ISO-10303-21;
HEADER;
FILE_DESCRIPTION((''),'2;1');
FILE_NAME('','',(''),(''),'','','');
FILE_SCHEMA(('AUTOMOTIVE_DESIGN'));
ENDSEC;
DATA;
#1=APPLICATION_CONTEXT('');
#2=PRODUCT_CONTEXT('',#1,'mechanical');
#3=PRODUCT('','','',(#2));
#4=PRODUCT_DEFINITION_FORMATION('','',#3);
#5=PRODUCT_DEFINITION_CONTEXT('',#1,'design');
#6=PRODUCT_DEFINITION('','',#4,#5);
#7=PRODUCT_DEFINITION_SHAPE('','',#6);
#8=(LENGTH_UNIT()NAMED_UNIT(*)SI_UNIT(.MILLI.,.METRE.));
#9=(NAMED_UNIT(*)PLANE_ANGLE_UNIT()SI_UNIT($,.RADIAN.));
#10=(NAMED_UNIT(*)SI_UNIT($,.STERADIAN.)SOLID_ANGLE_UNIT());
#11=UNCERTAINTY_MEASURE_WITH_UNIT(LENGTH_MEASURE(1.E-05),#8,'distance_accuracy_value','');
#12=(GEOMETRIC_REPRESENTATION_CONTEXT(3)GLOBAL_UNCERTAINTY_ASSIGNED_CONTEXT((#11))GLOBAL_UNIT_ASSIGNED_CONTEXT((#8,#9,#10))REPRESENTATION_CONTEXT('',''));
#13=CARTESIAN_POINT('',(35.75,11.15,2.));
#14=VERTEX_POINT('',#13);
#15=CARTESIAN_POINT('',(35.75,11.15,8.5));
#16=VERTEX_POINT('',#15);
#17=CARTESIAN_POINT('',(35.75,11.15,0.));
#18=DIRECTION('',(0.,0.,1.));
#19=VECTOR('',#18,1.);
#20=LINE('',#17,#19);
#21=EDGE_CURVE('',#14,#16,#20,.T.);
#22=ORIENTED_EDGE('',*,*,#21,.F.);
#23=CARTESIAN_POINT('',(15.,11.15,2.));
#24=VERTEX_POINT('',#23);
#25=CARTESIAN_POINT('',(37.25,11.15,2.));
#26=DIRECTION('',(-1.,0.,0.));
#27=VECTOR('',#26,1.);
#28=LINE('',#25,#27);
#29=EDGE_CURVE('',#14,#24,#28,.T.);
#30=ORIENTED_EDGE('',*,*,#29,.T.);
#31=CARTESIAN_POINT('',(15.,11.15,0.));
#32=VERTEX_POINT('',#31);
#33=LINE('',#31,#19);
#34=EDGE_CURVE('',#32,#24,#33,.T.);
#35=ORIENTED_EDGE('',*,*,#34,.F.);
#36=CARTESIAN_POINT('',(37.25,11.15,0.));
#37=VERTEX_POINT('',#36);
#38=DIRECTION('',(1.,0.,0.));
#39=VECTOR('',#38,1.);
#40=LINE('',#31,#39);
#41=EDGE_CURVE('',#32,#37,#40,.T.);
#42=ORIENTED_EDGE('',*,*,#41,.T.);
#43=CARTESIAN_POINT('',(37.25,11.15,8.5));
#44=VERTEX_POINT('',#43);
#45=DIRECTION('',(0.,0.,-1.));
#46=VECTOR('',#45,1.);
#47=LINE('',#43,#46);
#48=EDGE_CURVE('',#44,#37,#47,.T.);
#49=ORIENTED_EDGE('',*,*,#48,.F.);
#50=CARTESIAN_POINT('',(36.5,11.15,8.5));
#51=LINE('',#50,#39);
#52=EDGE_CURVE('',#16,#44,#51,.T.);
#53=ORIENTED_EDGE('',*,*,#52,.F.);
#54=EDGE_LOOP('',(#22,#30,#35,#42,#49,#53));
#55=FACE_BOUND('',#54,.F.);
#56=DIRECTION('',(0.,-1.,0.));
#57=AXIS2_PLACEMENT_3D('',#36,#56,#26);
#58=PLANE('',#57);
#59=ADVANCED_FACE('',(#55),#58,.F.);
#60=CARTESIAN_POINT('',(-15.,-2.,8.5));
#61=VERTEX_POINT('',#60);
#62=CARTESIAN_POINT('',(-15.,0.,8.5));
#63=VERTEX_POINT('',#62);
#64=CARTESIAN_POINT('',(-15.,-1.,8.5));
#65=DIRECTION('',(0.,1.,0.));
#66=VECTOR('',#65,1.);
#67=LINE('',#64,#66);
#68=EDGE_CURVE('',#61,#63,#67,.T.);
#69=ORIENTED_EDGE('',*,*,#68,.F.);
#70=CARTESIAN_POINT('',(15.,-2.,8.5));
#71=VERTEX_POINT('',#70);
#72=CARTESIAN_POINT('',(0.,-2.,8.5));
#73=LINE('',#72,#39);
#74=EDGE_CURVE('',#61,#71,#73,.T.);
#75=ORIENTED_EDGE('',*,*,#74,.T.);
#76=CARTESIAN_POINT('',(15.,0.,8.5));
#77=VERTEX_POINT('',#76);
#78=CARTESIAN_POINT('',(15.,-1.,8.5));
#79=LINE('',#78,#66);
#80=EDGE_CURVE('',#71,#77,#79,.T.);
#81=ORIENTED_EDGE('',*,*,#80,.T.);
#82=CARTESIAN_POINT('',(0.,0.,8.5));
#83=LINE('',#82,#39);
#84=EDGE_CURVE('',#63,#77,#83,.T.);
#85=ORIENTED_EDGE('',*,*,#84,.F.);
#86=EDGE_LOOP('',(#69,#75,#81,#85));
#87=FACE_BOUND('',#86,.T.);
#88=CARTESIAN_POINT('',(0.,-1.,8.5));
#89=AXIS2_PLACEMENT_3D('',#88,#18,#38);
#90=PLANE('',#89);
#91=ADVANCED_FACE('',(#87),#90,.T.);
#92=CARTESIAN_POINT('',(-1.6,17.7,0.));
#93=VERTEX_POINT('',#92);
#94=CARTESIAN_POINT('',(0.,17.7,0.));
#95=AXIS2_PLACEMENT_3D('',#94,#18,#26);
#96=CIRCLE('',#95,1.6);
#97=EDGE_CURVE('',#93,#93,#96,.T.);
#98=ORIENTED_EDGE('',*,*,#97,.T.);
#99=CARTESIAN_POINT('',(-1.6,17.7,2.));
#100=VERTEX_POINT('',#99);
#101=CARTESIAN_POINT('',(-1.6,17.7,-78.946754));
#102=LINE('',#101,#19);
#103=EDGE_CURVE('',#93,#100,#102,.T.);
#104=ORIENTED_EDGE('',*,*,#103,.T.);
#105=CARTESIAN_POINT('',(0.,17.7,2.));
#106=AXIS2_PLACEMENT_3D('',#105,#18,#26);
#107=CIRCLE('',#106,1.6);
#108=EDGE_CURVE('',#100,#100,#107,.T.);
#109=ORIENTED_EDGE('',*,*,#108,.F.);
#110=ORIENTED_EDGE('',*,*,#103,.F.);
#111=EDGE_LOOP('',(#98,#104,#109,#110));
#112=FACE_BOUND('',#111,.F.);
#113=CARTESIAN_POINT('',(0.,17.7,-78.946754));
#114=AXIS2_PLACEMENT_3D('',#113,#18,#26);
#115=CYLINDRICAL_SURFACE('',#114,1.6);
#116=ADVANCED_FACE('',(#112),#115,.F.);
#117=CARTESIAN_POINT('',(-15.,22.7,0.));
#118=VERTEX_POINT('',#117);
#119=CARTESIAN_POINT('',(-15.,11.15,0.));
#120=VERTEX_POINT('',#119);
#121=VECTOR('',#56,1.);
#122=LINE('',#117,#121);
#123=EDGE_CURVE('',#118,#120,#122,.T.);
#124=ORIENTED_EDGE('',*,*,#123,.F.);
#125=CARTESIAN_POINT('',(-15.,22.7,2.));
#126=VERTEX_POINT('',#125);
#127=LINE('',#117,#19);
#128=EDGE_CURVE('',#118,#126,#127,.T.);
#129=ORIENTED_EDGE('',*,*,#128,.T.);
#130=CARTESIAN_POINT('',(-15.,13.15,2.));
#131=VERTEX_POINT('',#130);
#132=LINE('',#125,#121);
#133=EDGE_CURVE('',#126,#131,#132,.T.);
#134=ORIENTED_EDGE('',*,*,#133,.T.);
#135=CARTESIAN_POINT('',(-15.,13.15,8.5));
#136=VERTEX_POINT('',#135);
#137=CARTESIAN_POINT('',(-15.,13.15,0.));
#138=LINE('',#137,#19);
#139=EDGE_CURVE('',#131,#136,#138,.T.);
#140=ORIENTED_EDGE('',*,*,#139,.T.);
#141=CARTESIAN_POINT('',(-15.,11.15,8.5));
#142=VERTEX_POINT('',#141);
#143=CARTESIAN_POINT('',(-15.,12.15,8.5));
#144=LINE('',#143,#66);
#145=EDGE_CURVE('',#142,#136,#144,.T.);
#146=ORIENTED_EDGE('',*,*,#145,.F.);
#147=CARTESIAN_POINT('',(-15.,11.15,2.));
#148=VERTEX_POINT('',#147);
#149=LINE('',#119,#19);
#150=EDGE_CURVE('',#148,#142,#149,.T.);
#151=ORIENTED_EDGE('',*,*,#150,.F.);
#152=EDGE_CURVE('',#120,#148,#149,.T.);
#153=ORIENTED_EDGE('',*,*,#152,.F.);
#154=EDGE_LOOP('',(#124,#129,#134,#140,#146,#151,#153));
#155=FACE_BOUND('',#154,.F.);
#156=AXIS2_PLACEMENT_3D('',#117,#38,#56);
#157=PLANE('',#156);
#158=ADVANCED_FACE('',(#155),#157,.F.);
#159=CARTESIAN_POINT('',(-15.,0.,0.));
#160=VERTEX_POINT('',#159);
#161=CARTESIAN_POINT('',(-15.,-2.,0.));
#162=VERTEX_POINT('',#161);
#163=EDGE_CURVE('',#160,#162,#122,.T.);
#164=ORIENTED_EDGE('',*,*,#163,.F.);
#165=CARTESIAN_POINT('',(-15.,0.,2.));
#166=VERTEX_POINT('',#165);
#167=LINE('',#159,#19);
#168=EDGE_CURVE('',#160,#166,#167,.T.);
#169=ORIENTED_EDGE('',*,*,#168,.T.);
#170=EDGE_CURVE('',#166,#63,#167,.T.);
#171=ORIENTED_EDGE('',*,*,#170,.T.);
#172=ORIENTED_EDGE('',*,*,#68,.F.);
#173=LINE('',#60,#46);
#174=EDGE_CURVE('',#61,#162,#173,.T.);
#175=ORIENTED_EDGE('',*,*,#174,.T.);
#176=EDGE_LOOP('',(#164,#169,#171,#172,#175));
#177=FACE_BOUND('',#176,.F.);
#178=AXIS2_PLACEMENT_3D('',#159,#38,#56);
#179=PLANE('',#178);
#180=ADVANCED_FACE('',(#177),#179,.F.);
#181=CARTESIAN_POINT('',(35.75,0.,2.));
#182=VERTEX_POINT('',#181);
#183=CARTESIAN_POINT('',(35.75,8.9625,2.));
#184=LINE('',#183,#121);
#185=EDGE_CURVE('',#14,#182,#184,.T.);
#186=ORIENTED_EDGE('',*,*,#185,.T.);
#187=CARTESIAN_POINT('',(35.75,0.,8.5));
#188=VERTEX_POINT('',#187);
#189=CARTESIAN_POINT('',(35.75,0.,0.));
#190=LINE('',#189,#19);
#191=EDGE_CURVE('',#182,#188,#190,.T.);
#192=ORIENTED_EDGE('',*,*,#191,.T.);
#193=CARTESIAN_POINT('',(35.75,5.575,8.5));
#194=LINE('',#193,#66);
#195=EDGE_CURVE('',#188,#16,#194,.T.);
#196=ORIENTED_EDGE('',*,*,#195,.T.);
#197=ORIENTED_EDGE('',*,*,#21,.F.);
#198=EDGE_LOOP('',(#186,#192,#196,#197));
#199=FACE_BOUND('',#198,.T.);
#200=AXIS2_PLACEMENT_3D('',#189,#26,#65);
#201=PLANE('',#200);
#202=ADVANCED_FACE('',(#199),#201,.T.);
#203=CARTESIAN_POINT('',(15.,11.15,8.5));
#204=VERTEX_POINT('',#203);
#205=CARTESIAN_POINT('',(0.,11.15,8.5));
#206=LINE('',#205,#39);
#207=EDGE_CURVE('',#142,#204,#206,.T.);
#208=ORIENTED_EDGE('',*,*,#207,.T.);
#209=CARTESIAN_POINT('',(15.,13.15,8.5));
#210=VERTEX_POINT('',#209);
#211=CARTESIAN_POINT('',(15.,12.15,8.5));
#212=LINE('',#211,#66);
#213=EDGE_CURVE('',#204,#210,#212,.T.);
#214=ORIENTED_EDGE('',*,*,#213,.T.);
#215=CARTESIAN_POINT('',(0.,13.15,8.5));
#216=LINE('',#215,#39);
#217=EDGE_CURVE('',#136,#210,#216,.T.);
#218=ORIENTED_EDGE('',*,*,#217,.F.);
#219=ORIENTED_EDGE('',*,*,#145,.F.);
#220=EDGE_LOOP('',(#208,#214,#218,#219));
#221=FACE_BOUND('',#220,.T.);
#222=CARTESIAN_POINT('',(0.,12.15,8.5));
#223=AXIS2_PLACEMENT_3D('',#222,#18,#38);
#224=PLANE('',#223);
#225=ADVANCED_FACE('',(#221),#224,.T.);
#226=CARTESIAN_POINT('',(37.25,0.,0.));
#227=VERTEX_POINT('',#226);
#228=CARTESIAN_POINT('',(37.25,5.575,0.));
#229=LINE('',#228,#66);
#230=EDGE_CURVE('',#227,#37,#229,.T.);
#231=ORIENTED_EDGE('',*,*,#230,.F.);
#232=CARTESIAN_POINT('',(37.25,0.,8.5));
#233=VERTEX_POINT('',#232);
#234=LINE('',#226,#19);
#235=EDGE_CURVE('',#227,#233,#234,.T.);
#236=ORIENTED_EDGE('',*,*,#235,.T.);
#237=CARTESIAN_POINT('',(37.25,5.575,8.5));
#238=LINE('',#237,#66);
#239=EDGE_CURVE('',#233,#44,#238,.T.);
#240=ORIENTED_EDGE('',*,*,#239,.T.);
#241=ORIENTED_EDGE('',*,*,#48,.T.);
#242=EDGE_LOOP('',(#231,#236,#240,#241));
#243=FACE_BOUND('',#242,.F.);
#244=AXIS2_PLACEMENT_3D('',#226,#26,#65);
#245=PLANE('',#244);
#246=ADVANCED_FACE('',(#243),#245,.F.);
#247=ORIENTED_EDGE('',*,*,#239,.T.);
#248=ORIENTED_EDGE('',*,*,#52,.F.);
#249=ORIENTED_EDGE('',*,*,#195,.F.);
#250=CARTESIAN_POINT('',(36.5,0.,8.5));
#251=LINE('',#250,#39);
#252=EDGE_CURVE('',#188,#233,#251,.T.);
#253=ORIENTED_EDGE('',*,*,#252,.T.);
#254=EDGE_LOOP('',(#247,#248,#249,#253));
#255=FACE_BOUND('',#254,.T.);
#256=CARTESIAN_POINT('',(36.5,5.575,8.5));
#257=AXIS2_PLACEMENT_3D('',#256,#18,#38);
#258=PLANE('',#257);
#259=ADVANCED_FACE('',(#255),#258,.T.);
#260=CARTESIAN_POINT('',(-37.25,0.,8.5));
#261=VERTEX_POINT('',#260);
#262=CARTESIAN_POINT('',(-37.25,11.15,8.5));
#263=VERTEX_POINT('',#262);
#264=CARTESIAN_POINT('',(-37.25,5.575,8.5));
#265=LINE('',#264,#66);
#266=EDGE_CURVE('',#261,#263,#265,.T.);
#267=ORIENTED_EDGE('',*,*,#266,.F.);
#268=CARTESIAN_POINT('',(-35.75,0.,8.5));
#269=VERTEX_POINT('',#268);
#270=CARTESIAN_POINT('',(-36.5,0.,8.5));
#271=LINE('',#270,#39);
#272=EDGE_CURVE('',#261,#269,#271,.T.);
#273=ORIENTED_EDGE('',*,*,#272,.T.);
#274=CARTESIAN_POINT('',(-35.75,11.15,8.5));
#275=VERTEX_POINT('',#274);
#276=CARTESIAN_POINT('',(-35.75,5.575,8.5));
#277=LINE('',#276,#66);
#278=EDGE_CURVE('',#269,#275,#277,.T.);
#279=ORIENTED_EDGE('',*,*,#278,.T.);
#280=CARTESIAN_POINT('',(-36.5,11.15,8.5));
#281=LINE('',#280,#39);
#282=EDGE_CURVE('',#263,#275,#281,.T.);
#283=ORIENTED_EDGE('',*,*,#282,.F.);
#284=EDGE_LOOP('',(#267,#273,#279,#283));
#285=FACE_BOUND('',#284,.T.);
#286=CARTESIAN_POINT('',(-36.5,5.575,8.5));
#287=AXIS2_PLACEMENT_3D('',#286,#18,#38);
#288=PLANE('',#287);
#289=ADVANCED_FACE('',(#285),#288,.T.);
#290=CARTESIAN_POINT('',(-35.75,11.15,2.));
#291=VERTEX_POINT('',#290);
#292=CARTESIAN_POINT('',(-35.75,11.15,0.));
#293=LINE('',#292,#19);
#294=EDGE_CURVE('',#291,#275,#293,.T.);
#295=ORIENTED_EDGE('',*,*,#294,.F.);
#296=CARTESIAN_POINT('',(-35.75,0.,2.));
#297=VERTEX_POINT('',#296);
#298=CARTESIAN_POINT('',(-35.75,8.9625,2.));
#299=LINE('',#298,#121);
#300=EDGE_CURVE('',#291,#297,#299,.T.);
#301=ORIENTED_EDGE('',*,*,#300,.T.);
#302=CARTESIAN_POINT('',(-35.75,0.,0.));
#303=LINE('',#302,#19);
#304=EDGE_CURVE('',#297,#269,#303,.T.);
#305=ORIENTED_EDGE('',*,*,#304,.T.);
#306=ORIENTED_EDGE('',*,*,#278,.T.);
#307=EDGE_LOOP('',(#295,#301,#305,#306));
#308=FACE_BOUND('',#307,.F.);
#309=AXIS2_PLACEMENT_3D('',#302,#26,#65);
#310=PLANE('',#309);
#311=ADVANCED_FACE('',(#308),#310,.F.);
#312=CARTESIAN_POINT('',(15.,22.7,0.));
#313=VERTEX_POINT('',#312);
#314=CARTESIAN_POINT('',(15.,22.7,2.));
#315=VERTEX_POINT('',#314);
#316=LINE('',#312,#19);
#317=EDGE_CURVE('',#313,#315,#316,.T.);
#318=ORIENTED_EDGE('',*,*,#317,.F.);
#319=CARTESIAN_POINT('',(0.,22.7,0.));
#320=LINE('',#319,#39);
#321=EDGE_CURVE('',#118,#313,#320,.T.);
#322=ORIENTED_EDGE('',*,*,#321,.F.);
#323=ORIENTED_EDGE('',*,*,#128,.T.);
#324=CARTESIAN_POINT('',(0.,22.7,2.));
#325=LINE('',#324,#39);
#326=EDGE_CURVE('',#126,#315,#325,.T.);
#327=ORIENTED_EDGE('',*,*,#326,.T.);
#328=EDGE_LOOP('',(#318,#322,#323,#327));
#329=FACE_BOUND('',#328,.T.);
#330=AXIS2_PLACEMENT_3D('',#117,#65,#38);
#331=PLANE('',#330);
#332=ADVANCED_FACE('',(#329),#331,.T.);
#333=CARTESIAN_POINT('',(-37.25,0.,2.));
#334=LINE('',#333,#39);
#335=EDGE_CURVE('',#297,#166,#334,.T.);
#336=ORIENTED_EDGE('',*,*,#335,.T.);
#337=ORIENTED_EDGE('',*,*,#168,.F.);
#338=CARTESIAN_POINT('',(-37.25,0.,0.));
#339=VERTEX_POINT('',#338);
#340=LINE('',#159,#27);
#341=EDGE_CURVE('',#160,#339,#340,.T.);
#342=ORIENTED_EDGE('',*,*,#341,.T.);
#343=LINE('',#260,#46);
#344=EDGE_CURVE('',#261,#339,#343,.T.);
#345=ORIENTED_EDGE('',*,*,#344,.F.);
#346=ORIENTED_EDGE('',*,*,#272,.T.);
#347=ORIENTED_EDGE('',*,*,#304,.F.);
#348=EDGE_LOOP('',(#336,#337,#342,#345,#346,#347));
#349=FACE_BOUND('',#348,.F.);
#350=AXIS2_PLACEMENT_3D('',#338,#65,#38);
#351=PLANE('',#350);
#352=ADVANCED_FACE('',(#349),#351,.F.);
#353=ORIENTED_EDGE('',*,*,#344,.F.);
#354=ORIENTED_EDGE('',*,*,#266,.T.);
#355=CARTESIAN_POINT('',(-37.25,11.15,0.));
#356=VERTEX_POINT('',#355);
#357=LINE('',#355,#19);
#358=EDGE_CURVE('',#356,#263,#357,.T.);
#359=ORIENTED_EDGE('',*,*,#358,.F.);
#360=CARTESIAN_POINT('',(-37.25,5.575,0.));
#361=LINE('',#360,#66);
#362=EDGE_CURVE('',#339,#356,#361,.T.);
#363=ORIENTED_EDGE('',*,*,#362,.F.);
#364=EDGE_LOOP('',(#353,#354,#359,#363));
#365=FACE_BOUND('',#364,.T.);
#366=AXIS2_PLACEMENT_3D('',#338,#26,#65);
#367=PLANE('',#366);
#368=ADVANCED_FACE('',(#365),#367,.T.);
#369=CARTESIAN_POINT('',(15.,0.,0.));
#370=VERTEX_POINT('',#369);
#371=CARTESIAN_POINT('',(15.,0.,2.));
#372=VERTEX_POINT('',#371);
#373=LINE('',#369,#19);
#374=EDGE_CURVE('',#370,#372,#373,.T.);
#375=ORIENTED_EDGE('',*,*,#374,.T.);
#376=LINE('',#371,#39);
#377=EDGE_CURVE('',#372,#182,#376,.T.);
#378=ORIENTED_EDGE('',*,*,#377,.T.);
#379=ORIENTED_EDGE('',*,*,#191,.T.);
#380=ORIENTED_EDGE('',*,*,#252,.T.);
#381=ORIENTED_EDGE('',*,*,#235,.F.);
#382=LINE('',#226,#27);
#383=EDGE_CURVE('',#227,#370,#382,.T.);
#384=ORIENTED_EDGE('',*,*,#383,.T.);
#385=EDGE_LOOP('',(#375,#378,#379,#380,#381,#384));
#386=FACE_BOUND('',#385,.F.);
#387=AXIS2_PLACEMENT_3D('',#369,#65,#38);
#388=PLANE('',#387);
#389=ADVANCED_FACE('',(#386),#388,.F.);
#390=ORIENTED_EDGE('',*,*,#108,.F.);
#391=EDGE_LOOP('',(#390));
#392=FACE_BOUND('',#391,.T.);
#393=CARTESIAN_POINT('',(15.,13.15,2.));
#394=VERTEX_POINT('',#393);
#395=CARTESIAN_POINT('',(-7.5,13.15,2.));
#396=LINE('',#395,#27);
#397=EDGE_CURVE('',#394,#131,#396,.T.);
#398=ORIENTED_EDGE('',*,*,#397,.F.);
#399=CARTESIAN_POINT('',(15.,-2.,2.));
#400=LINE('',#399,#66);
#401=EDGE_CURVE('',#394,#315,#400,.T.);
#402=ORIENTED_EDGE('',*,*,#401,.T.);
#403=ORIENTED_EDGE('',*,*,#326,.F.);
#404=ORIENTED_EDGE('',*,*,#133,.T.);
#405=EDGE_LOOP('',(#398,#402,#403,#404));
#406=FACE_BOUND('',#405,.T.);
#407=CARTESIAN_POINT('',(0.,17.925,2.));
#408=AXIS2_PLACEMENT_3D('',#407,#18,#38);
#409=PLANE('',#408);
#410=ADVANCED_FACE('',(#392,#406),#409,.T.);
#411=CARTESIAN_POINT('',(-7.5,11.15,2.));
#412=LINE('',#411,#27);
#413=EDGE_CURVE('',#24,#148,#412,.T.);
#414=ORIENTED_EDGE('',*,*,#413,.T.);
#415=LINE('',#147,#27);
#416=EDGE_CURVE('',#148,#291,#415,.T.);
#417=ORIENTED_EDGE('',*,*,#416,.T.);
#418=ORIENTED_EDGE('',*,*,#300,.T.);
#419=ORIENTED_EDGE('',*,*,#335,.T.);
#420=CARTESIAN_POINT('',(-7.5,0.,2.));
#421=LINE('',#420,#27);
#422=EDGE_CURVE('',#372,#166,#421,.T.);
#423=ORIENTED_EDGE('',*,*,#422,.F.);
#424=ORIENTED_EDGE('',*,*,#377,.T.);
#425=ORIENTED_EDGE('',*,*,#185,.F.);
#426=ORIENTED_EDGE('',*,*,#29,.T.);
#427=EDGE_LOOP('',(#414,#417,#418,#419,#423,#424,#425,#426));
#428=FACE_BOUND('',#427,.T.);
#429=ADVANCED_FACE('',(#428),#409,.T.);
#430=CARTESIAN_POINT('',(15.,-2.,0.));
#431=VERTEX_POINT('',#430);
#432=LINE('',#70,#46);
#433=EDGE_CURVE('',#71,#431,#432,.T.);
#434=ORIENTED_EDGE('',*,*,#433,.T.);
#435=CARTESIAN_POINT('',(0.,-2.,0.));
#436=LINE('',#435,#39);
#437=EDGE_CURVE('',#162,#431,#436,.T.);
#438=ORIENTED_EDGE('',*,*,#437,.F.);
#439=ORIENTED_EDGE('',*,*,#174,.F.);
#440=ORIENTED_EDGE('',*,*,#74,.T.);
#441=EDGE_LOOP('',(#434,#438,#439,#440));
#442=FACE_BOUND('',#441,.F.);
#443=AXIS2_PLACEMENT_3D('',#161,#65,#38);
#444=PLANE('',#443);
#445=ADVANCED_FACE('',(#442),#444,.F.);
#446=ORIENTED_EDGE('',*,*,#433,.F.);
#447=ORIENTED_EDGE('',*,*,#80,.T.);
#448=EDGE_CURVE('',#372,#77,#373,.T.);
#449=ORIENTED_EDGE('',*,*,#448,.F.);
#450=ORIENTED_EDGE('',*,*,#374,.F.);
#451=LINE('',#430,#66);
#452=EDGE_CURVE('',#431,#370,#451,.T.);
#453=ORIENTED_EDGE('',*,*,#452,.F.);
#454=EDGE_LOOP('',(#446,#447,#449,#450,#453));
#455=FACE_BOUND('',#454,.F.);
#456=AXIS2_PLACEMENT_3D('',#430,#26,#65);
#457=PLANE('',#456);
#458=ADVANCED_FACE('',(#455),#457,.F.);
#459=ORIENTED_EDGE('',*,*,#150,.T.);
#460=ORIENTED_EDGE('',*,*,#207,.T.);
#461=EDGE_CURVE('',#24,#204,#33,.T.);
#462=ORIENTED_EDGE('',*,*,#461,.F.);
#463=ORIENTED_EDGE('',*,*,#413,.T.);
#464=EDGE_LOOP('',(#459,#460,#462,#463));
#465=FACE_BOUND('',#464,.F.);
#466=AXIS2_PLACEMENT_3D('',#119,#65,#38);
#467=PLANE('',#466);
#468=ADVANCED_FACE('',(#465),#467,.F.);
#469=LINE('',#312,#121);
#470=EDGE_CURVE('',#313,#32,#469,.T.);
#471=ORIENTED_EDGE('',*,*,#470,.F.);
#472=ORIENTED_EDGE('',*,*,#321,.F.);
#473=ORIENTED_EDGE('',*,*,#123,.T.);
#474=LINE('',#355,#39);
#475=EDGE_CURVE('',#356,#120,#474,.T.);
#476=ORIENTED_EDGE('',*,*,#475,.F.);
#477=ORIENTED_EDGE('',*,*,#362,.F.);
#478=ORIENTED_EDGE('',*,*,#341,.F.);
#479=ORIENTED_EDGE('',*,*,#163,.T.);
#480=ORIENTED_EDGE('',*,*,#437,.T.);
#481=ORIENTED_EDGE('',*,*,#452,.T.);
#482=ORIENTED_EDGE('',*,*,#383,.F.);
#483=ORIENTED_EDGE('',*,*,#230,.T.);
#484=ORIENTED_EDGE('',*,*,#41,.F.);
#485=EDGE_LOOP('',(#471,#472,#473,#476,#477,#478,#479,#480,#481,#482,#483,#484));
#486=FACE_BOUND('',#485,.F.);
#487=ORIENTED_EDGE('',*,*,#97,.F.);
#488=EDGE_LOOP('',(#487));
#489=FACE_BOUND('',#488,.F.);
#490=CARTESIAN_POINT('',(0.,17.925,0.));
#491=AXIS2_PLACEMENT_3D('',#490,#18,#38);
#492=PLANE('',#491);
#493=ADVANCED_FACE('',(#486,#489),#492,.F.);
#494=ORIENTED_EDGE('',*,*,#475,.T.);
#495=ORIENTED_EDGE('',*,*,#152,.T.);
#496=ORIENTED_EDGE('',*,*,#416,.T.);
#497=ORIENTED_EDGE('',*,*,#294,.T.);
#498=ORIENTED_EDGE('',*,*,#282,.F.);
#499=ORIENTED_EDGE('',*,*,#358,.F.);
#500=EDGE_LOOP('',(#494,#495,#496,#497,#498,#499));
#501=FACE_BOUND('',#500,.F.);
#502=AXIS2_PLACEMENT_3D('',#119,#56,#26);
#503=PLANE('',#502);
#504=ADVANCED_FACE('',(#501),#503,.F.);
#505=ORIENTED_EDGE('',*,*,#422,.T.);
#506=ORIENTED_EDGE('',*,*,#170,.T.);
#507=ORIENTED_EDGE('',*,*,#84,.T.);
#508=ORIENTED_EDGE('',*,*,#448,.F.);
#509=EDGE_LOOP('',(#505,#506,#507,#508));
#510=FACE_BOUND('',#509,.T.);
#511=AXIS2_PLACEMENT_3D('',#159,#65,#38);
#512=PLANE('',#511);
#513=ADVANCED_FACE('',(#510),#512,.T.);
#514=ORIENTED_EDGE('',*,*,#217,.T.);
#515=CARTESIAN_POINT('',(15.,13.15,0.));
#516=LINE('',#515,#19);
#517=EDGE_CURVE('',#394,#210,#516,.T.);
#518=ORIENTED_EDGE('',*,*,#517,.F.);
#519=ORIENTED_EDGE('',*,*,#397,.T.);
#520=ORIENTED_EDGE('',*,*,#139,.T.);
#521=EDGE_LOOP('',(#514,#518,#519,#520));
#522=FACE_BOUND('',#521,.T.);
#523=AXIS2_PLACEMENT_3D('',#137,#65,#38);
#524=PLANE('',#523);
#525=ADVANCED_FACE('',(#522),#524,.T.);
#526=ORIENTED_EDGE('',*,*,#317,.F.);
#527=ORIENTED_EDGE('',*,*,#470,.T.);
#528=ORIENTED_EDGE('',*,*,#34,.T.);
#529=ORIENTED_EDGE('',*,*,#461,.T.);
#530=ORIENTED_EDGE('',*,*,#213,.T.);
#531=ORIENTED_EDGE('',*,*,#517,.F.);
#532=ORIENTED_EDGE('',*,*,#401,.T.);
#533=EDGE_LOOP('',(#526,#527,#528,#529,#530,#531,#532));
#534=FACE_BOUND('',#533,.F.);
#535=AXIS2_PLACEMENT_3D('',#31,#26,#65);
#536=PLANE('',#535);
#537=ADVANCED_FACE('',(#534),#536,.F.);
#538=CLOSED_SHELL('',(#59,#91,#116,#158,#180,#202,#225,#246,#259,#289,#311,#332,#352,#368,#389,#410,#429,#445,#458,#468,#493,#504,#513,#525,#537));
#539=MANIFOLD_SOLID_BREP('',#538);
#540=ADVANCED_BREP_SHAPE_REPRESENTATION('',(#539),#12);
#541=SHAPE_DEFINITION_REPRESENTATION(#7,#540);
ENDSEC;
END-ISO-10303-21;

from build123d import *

# Parameters (mm, degrees)
F0_W     = 30
F0_H     = 9.55
F0_H_2   = 2
F0_H_3   = 11.15
F0_W_2   = 1.5
F0_W_3   = 20.75
F1_DEPTH = 2
F2_DEPTH = 8.5
F3_D     = 3.2


with BuildPart() as f1:
    # F0 (on Top) → F1 (new body)
    with BuildSketch(Plane.XY):
        with Locations((0, 17.925)):
            Rectangle(F0_W, F0_H)
        with Locations((0, 12.15)):
            Rectangle(F0_W, F0_H_2)
        with Locations((0, 5.575)):
            Rectangle(F0_W, F0_H_3)
        with Locations((0, -1)):
            Rectangle(F0_W, F0_H_2)
        with Locations((-36.5, 5.575)):
            Rectangle(F0_W_2, F0_H_3)
        with Locations((-25.375, 5.575)):
            Rectangle(F0_W_3, F0_H_3)
        with Locations((25.375, 5.575)):
            Rectangle(F0_W_3, F0_H_3)
        with Locations((36.5, 5.575)):
            Rectangle(F0_W_2, F0_H_3)
    extrude(amount=F1_DEPTH)

    # F0 (on Top) → F2 (join)
    with BuildSketch(Plane.XY):
        with Locations((0, 12.15)):
            Rectangle(F0_W, F0_H_2)
        with Locations((0, -1)):
            Rectangle(F0_W, F0_H_2)
        with Locations((-36.5, 5.575)):
            Rectangle(F0_W_2, F0_H_3)
        with Locations((36.5, 5.575)):
            Rectangle(F0_W_2, F0_H_3)
    extrude(amount=F2_DEPTH)

    # F3 (through all)
    with Locations(Plane(origin=(0, 0, 0), x_dir=(1, 0, 0), z_dir=(0, 0, -1))):
        with Locations((0, -17.7)):
            Hole(F3_D / 2)


solid = f1.part
